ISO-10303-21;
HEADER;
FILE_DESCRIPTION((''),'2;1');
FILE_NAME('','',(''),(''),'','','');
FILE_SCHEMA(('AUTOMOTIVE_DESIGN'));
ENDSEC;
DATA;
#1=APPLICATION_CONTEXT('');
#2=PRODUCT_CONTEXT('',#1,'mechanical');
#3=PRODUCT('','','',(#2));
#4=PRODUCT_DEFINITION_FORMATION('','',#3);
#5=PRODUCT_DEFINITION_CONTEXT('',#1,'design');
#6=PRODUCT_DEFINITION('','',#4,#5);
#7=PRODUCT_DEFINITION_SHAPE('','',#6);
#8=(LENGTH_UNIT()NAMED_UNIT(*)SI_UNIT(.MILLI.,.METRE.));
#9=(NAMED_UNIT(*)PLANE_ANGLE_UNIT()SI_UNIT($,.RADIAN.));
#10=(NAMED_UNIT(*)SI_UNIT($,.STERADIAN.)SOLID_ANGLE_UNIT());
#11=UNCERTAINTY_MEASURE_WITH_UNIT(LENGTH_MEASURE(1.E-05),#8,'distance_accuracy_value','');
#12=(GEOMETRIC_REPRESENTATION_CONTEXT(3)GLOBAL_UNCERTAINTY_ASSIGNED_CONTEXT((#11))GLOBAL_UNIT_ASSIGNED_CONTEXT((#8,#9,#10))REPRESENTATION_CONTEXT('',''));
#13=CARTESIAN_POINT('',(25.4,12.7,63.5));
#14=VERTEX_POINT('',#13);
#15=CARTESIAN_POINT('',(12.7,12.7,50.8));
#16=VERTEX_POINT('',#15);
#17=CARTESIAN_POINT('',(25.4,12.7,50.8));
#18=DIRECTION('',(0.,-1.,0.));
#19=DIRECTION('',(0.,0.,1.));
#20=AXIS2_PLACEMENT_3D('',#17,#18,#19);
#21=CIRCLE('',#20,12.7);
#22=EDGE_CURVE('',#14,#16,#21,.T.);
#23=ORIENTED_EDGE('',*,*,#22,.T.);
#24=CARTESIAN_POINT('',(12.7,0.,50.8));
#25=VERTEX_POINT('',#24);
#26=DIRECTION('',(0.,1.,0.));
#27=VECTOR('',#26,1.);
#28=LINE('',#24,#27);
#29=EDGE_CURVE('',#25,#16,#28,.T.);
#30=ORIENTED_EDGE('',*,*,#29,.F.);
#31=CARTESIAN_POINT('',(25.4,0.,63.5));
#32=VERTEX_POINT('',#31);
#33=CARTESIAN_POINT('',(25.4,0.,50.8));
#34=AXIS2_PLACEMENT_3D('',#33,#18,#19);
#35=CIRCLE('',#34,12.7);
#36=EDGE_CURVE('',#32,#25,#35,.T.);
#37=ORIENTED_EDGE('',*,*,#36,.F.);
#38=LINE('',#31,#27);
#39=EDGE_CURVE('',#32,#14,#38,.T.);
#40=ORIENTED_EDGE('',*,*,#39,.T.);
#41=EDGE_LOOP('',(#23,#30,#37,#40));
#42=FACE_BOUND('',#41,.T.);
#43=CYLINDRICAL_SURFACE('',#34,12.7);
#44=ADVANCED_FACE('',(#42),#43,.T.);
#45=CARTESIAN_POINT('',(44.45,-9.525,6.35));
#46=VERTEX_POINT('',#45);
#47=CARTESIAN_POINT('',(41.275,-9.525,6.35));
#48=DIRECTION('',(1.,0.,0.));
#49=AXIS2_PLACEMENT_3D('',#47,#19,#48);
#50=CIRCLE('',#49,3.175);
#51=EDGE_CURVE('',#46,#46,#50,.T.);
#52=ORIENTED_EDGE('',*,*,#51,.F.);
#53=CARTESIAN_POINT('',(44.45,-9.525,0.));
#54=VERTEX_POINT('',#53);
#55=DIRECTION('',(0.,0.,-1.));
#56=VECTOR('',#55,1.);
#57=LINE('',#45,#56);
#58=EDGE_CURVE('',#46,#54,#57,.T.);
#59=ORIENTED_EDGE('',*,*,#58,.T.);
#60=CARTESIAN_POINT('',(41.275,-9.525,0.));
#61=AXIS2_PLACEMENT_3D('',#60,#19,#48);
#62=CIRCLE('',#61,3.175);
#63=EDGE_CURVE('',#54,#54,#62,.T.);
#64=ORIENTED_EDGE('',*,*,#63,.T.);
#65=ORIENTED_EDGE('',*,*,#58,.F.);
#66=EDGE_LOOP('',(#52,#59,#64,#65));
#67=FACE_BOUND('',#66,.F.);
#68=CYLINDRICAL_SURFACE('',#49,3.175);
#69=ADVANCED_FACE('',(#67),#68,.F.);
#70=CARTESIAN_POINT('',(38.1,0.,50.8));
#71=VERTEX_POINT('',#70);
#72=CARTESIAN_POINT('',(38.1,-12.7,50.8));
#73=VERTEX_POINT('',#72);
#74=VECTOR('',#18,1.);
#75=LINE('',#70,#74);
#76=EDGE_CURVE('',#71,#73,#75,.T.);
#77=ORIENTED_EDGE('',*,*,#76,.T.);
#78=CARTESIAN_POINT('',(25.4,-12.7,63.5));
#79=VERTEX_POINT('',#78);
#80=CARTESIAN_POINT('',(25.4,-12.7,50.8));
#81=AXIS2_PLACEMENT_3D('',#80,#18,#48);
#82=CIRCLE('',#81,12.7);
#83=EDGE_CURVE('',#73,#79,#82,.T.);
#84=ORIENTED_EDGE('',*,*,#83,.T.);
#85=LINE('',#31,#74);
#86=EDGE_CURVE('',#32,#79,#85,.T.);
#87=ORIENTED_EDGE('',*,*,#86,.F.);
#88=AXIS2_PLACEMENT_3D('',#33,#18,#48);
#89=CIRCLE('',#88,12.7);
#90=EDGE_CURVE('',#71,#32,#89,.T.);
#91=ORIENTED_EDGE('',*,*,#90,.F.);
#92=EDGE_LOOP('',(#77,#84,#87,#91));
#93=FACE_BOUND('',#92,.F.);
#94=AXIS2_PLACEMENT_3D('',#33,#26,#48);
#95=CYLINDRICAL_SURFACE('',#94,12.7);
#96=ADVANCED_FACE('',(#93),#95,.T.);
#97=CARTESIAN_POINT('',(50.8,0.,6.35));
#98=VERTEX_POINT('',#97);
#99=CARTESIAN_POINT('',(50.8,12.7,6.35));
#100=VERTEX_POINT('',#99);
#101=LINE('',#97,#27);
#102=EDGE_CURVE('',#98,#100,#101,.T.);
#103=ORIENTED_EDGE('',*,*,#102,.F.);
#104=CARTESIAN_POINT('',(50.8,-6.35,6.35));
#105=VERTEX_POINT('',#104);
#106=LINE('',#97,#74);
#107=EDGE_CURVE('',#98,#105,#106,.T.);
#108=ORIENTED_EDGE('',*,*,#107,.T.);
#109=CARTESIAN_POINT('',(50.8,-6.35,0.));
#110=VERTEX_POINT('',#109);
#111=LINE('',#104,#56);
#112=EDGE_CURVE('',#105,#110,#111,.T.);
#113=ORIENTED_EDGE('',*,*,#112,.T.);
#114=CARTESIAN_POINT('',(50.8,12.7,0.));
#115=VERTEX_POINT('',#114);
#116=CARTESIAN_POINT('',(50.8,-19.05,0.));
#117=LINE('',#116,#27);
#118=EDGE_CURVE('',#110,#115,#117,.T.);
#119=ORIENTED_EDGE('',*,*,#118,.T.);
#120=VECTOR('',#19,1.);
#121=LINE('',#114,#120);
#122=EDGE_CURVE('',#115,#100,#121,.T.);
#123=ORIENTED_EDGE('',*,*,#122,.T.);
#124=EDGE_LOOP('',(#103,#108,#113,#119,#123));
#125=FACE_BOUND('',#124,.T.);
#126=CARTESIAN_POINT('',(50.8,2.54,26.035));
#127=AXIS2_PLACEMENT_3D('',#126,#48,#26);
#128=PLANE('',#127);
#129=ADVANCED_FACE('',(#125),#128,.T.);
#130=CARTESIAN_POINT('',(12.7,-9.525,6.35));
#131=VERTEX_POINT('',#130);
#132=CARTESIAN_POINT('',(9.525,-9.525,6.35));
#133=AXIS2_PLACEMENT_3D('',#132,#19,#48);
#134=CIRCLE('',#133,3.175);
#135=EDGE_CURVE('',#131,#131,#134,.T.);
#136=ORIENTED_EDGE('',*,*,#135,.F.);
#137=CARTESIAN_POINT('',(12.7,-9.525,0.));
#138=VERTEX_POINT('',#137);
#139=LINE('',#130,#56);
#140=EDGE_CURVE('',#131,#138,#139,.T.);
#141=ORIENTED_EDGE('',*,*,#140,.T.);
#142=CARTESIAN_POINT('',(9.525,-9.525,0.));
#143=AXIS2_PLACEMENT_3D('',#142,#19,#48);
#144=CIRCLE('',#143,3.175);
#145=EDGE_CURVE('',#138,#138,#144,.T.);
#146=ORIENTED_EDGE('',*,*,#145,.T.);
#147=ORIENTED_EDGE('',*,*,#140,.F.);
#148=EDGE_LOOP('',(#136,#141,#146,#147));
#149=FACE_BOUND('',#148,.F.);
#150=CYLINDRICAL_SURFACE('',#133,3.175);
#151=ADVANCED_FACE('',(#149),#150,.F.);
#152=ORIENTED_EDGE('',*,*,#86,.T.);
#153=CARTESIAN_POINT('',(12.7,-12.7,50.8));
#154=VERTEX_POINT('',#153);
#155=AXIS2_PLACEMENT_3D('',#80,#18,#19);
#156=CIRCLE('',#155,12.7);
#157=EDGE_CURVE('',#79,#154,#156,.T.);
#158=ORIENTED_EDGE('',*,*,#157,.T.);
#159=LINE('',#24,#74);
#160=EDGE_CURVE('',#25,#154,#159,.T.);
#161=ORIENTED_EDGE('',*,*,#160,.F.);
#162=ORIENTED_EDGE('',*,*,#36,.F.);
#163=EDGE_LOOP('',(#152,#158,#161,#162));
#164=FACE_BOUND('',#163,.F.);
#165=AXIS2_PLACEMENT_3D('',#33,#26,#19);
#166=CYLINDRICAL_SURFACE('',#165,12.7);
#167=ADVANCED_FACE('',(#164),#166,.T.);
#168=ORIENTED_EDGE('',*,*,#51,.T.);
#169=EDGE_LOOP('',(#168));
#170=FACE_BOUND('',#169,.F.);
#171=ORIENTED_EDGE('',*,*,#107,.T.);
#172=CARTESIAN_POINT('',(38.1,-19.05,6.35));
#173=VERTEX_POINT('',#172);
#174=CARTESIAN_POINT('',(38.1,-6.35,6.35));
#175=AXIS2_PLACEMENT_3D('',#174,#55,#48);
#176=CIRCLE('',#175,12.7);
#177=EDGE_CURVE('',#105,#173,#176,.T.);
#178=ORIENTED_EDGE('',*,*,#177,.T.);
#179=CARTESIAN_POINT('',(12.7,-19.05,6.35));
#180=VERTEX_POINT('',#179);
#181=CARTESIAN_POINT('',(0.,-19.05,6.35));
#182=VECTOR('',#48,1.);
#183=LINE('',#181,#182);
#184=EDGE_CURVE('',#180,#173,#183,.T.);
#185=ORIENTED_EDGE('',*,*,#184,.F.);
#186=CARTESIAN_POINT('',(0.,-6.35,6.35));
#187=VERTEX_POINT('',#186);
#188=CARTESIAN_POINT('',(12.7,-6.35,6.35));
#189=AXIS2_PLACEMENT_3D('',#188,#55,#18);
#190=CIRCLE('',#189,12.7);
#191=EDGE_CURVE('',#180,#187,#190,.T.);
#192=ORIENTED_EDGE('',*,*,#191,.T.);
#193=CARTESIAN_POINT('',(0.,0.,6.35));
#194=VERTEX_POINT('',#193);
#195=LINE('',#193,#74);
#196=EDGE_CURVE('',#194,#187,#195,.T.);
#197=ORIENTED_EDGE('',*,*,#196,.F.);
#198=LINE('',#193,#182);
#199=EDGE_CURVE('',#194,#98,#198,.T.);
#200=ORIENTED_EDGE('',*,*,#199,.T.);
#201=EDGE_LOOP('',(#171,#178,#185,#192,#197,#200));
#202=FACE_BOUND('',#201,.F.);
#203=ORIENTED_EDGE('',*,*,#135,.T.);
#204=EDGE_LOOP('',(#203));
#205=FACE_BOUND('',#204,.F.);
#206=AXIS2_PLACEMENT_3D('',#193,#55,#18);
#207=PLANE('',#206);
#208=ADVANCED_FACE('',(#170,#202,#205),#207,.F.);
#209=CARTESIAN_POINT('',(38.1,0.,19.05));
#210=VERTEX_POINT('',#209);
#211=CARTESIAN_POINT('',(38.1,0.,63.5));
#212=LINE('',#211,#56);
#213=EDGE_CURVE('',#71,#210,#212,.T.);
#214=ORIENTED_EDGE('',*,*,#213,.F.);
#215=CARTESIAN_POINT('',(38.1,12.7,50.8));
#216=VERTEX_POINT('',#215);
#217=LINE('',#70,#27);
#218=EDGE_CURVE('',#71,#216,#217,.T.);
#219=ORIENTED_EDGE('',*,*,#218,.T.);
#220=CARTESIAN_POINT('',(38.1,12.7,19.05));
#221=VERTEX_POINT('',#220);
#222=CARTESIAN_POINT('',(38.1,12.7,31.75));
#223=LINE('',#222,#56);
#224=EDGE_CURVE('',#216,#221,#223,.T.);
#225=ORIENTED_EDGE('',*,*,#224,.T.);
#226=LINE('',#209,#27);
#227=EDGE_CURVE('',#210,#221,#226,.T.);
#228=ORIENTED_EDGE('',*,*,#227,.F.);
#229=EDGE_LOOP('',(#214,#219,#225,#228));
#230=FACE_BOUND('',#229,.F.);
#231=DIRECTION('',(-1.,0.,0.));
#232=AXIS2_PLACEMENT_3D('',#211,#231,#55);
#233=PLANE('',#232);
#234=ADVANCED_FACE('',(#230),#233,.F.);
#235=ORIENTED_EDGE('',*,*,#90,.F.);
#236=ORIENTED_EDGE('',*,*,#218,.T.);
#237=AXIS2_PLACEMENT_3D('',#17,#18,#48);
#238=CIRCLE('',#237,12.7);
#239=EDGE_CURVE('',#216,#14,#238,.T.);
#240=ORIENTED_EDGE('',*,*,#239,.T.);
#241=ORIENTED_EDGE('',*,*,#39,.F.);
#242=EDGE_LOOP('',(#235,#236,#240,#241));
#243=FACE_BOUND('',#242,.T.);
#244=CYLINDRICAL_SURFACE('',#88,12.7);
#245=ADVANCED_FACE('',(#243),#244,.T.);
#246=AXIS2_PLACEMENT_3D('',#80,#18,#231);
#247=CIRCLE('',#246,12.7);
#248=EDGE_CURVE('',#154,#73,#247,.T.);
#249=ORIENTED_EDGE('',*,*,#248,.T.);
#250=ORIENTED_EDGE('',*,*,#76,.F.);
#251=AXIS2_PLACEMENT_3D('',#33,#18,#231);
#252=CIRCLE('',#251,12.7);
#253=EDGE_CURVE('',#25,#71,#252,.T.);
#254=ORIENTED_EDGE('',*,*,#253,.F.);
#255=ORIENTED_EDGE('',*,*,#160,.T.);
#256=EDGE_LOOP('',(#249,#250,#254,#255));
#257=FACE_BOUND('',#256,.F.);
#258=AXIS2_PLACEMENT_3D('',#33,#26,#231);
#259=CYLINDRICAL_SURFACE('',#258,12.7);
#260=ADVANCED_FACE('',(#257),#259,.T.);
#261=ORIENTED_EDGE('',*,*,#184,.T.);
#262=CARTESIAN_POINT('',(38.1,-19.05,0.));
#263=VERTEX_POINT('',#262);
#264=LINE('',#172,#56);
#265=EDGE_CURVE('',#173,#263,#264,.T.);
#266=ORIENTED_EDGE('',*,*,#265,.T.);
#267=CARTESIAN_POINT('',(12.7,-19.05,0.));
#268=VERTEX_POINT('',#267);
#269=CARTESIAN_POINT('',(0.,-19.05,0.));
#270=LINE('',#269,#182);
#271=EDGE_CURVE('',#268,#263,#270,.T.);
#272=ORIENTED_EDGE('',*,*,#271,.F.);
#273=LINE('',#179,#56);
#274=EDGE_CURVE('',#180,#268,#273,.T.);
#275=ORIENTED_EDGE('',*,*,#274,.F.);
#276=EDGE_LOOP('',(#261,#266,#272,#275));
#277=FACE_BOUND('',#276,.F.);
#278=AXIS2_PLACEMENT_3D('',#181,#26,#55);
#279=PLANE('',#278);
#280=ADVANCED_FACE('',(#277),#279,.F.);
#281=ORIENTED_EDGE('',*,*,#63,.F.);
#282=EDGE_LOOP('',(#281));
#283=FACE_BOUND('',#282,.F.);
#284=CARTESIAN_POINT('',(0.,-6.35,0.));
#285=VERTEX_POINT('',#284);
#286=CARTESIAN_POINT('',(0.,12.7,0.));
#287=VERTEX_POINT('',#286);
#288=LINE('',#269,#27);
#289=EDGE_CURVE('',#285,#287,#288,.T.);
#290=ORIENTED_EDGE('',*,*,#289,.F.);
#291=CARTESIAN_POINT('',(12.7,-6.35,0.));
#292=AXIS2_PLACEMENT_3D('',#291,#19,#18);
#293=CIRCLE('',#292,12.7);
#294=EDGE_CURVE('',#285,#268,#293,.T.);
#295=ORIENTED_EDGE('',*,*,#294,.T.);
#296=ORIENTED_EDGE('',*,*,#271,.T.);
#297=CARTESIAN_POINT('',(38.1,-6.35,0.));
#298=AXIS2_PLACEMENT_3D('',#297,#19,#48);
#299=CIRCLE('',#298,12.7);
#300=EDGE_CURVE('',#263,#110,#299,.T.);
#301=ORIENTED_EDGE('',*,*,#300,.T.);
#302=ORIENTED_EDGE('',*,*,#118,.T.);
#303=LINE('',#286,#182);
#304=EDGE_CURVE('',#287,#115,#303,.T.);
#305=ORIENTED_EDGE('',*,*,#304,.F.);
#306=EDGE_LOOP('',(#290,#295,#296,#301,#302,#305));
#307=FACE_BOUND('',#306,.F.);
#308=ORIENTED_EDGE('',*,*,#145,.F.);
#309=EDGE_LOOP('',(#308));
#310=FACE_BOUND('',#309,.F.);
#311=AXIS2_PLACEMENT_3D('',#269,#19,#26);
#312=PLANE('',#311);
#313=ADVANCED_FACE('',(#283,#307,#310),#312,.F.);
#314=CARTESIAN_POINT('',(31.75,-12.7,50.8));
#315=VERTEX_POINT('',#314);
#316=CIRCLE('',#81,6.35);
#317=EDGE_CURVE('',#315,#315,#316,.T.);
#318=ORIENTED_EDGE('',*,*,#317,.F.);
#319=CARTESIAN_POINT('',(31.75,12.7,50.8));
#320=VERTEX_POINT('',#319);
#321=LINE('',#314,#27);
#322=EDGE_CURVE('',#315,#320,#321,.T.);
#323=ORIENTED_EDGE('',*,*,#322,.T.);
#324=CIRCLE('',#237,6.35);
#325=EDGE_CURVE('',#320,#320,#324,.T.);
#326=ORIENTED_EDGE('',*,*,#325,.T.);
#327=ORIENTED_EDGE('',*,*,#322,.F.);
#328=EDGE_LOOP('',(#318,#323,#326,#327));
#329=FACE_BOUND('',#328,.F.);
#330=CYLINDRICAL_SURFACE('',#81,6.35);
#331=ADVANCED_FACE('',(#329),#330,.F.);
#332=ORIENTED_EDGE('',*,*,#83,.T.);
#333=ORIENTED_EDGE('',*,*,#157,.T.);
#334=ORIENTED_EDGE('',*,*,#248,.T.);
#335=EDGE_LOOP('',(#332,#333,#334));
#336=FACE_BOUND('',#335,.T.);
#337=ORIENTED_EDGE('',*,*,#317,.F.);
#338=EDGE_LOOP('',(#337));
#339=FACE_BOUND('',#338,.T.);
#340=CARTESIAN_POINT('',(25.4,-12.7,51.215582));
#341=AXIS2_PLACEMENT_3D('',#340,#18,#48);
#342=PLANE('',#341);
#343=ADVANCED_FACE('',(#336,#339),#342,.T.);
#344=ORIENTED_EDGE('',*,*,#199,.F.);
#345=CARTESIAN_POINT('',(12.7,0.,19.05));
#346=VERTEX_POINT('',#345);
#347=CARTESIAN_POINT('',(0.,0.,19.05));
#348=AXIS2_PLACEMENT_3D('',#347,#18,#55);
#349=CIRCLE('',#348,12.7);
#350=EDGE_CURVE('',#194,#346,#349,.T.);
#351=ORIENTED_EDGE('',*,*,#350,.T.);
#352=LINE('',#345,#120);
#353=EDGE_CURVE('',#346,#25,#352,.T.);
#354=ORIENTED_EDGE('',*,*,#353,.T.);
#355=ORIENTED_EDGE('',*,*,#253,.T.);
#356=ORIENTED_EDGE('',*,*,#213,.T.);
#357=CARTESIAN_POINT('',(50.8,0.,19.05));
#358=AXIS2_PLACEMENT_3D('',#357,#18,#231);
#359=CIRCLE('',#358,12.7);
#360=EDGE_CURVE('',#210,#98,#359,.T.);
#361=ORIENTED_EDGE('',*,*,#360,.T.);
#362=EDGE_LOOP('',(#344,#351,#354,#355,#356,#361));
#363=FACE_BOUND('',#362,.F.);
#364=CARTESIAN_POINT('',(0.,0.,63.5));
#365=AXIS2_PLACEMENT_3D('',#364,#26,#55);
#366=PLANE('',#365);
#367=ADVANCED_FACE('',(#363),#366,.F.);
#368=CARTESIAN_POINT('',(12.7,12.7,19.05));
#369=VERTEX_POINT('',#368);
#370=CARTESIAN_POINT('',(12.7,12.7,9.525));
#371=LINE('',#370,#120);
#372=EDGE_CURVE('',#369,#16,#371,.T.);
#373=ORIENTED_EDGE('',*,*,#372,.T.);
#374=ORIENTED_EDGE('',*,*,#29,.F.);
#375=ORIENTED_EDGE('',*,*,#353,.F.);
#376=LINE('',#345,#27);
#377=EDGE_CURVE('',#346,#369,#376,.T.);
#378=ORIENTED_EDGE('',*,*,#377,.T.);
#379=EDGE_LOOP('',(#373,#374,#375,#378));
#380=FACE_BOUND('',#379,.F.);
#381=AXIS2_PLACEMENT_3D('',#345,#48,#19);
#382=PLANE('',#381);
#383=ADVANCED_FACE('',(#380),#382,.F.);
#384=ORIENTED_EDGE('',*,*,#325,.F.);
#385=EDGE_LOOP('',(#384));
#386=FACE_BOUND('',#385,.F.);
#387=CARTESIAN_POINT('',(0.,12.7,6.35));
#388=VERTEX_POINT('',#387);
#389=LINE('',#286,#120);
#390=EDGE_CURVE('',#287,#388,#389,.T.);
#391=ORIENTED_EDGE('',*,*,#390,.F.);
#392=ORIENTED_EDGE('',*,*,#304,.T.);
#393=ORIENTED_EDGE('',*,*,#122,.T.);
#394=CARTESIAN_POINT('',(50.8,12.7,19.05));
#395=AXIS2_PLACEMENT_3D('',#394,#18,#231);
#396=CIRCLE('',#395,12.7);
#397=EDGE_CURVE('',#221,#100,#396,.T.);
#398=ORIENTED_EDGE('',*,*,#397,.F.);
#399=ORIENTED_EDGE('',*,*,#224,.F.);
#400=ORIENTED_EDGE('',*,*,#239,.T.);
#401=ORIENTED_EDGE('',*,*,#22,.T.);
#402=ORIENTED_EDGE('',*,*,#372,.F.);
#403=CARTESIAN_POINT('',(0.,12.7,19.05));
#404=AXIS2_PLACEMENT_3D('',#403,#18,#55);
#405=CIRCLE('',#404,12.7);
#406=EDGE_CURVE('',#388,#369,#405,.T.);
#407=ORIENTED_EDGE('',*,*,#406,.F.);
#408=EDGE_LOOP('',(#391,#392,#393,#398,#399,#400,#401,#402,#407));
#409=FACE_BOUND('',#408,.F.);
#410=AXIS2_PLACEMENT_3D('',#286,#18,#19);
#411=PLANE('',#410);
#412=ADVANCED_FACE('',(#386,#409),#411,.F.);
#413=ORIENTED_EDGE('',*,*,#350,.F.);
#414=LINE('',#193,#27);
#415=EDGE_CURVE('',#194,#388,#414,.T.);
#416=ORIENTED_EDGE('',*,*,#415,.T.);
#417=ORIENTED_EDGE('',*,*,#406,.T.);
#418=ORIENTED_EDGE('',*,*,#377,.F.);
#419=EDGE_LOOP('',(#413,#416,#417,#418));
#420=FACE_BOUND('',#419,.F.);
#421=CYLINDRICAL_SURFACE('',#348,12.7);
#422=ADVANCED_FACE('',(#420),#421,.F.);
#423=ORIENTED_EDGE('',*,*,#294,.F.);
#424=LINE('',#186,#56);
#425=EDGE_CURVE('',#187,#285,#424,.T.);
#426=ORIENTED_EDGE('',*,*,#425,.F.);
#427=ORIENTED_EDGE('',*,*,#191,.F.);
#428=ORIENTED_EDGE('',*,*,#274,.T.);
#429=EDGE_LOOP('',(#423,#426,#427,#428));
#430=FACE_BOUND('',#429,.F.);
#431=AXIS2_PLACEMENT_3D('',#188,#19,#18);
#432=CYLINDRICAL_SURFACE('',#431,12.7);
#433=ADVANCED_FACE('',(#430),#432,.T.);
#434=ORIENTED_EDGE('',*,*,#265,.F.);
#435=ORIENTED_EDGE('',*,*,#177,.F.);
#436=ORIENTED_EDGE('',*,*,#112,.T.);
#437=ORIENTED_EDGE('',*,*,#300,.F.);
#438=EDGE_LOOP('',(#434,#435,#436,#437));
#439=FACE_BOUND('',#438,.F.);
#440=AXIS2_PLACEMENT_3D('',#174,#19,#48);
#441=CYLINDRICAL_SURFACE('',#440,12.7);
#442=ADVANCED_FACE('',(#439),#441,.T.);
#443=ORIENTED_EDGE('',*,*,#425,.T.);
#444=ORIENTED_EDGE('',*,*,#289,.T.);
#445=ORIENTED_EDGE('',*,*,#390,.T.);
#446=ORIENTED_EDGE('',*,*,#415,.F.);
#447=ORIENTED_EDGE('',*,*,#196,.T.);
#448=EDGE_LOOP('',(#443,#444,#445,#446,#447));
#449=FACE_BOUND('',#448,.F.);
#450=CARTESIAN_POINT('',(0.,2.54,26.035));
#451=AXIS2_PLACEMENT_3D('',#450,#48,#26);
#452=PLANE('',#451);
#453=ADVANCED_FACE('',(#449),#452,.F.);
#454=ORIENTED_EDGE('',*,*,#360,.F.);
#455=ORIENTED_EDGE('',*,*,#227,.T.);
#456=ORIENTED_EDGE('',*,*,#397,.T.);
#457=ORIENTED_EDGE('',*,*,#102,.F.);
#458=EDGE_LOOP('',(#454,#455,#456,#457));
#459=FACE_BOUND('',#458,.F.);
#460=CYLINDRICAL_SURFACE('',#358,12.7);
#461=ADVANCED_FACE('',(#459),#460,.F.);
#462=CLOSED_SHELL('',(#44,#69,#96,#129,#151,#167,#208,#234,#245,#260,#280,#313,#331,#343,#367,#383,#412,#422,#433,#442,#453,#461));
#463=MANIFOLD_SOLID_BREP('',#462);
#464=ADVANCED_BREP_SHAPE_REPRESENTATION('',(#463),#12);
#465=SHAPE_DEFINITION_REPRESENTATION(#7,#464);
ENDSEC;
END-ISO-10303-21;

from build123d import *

# Parameters (mm, degrees)
F1_DEPTH  = 50.8
F3_DEPTH  = 12.701
F5_DEPTH  = 12.7
F6_DEPTH  = 12.701
F7_R      = 6.35
F8_DEPTH  = 25.401
F9_R      = 3.175
F10_DEPTH = 6.351
F12_DEPTH = 6.351


with BuildPart() as f1:
    # F0 (on Right) → F1 (new body)
    with BuildSketch(Plane.YZ):
        Polygon((12.7, 0), (12.7, 63.5), (0, 63.5), (0, 6.35), (-19.05, 6.35), (-19.05, 0), align=None)
    extrude(amount=F1_DEPTH)

    # F2 (on face) → F3 (cut, through all)
    with BuildSketch(Plane.XZ):
        with BuildLine():
            Line((12.7, 19.05), (12.7, 63.5))
            Line((12.7, 63.5), (0, 63.5))
            Line((0, 63.5), (0, 31.75))
            ThreePointArc((0, 31.75), (8.9802561211, 28.0302561211), (12.7, 19.05))
        make_face()
        with BuildLine():
            Line((38.1, 63.5), (38.1, 19.05))
            ThreePointArc((38.1, 19.05), (41.8197438789, 28.0302561211), (50.8, 31.75))
            Line((50.8, 31.75), (50.8, 63.5))
            Line((50.8, 63.5), (38.1, 63.5))
        make_face()
        with BuildLine():
            Line((0, 31.75), (0, 6.35))
            ThreePointArc((0, 6.35), (8.9802561211, 10.0697438789), (12.7, 19.05))
            ThreePointArc((12.7, 19.05), (8.9802561211, 28.0302561211), (0, 31.75))
        make_face()
        with BuildLine():
            ThreePointArc((50.8, 31.75), (41.8197438789, 28.0302561211), (38.1, 19.05))
            ThreePointArc((38.1, 19.05), (41.8197438789, 10.0697438789), (50.8, 6.35))
            Line((50.8, 6.35), (50.8, 31.75))
        make_face()
    extrude(amount=-F3_DEPTH, mode=Mode.SUBTRACT)

    # F4 (on face) → F5 (join)
    with BuildSketch(Plane.XZ):
        with BuildLine():
            ThreePointArc((12.7, 50.8), (25.4, 38.1), (38.1, 50.8))
            ThreePointArc((38.1, 50.8), (34.3802561211, 59.7802561211), (25.4, 63.5))
            ThreePointArc((25.4, 63.5), (16.4197438789, 59.7802561211), (12.7, 50.8))
        make_face()
    extrude(amount=F5_DEPTH)

    # F6 (cut, through all): faces of the model
    f6_faces = [f1.faces().sort_by_distance(p)[0] for p in [
        (15.5367728246, 0, 60.6632271754),
        (35.2632271754, 0, 60.6632271754),
    ]]
    extrude(f6_faces, amount=-F6_DEPTH, mode=Mode.SUBTRACT)

    # F7 (on face) → F8 (cut, through all)
    with BuildSketch(Plane.XZ.offset(12.7)):
        with Locations((25.4, 50.8)):
            Circle(F7_R)
    extrude(amount=-F8_DEPTH, mode=Mode.SUBTRACT)

    # F9 (on face) → F10 (cut, through all)
    with BuildSketch(Plane.XY.offset(6.35)):
        with Locations((9.525, -9.525)):
            Circle(F9_R)
        with Locations((41.275, -9.525)):
            Circle(F9_R)
    extrude(amount=-F10_DEPTH, mode=Mode.SUBTRACT)

    # F11 (on face) → F12 (cut, through all)
    with BuildSketch(Plane.XY.offset(6.35)):
        with BuildLine():
            Line((0, -19.05), (12.7, -19.05))
            ThreePointArc((12.7, -19.05), (3.7197438789, -15.3302561211), (0, -6.35))
            Line((0, -6.35), (0, -19.05))
        make_face()
        with BuildLine():
            ThreePointArc((50.8, -6.35), (47.0802561211, -15.3302561211), (38.1, -19.05))
            Line((38.1, -19.05), (50.8, -19.05))
            Line((50.8, -19.05), (50.8, -6.35))
        make_face()
    extrude(amount=-F12_DEPTH, mode=Mode.SUBTRACT)


solid = f1.part
